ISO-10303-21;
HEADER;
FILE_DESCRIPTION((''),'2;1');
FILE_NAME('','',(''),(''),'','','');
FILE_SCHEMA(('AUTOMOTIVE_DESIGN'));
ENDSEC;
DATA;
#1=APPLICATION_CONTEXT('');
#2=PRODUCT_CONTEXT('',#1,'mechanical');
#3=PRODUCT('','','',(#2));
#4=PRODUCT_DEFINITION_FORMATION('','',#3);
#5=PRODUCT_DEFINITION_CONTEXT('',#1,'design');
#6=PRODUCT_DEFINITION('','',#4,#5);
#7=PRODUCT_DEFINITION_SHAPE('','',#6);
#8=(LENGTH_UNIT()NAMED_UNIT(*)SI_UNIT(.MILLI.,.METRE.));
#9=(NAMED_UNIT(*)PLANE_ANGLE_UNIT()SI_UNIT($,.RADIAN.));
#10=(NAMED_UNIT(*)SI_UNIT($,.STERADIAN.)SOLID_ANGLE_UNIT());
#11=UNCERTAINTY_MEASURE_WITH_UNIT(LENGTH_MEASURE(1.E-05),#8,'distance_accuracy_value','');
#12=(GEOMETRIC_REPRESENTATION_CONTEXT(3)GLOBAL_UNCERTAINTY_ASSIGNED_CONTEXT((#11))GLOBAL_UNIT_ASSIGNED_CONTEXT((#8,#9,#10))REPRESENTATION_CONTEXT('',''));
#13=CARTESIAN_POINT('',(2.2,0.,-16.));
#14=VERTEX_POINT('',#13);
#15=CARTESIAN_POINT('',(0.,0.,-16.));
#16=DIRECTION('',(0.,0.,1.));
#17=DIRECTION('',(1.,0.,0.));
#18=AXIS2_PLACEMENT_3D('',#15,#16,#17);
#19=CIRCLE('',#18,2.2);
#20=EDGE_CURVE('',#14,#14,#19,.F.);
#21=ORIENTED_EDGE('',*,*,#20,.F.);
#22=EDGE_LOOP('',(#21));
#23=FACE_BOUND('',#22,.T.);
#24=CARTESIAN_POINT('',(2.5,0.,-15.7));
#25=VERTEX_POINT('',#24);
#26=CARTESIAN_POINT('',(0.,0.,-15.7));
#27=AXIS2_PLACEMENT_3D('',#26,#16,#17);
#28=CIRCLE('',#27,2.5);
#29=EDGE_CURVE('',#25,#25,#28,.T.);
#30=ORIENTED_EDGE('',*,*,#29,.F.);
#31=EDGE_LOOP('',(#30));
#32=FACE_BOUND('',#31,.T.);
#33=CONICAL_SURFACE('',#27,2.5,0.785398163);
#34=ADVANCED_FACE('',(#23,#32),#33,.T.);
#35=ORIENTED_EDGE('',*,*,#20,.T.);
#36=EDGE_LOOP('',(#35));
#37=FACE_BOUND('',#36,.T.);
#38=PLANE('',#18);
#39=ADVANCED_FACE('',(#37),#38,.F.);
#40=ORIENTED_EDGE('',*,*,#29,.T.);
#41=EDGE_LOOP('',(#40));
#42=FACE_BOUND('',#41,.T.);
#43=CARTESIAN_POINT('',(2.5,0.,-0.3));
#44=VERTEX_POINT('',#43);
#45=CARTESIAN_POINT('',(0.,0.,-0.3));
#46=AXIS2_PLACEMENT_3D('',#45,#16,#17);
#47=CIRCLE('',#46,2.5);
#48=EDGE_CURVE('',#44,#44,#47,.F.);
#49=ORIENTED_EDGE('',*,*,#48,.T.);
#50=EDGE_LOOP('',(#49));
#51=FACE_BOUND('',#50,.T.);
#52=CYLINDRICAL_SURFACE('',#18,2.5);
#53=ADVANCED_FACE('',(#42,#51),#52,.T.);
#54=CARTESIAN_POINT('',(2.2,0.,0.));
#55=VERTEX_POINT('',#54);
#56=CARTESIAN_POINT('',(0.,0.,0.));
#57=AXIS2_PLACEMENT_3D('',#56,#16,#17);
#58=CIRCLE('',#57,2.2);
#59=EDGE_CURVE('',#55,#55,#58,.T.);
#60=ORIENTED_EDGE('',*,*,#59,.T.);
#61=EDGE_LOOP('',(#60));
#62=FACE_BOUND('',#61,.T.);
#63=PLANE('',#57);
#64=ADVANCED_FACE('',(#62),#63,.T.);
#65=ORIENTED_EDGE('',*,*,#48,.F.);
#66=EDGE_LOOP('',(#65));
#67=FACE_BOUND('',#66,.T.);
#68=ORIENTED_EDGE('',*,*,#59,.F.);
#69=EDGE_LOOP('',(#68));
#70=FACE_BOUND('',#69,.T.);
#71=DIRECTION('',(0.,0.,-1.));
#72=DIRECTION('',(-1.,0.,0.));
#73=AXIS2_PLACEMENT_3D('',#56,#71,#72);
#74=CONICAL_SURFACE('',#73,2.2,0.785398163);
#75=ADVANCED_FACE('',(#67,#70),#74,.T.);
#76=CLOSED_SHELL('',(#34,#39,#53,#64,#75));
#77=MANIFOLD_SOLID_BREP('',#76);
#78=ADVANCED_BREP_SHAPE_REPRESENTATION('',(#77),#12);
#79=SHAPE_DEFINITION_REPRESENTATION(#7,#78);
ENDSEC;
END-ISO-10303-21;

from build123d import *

# Parameters (mm, degrees)
SKETCH1_R           = 2.5
BOSS_EXTRUDE1_DEPTH = 16
CHAMFER1_SIZE       = 0.3


with BuildPart() as part:
    # Sketch1 → Boss-Extrude1 (new body)
    with BuildSketch(Plane.XY):
        Circle(SKETCH1_R)
    extrude(amount=-BOSS_EXTRUDE1_DEPTH)

    # Chamfer1
    chamfer1_edges = [part.edges().sort_by_distance(p)[0] for p in [
        (-2.5, 0, 0),
        (-2.5, 0, -16),
    ]]
    chamfer(chamfer1_edges, length=CHAMFER1_SIZE)


solid = part.part
